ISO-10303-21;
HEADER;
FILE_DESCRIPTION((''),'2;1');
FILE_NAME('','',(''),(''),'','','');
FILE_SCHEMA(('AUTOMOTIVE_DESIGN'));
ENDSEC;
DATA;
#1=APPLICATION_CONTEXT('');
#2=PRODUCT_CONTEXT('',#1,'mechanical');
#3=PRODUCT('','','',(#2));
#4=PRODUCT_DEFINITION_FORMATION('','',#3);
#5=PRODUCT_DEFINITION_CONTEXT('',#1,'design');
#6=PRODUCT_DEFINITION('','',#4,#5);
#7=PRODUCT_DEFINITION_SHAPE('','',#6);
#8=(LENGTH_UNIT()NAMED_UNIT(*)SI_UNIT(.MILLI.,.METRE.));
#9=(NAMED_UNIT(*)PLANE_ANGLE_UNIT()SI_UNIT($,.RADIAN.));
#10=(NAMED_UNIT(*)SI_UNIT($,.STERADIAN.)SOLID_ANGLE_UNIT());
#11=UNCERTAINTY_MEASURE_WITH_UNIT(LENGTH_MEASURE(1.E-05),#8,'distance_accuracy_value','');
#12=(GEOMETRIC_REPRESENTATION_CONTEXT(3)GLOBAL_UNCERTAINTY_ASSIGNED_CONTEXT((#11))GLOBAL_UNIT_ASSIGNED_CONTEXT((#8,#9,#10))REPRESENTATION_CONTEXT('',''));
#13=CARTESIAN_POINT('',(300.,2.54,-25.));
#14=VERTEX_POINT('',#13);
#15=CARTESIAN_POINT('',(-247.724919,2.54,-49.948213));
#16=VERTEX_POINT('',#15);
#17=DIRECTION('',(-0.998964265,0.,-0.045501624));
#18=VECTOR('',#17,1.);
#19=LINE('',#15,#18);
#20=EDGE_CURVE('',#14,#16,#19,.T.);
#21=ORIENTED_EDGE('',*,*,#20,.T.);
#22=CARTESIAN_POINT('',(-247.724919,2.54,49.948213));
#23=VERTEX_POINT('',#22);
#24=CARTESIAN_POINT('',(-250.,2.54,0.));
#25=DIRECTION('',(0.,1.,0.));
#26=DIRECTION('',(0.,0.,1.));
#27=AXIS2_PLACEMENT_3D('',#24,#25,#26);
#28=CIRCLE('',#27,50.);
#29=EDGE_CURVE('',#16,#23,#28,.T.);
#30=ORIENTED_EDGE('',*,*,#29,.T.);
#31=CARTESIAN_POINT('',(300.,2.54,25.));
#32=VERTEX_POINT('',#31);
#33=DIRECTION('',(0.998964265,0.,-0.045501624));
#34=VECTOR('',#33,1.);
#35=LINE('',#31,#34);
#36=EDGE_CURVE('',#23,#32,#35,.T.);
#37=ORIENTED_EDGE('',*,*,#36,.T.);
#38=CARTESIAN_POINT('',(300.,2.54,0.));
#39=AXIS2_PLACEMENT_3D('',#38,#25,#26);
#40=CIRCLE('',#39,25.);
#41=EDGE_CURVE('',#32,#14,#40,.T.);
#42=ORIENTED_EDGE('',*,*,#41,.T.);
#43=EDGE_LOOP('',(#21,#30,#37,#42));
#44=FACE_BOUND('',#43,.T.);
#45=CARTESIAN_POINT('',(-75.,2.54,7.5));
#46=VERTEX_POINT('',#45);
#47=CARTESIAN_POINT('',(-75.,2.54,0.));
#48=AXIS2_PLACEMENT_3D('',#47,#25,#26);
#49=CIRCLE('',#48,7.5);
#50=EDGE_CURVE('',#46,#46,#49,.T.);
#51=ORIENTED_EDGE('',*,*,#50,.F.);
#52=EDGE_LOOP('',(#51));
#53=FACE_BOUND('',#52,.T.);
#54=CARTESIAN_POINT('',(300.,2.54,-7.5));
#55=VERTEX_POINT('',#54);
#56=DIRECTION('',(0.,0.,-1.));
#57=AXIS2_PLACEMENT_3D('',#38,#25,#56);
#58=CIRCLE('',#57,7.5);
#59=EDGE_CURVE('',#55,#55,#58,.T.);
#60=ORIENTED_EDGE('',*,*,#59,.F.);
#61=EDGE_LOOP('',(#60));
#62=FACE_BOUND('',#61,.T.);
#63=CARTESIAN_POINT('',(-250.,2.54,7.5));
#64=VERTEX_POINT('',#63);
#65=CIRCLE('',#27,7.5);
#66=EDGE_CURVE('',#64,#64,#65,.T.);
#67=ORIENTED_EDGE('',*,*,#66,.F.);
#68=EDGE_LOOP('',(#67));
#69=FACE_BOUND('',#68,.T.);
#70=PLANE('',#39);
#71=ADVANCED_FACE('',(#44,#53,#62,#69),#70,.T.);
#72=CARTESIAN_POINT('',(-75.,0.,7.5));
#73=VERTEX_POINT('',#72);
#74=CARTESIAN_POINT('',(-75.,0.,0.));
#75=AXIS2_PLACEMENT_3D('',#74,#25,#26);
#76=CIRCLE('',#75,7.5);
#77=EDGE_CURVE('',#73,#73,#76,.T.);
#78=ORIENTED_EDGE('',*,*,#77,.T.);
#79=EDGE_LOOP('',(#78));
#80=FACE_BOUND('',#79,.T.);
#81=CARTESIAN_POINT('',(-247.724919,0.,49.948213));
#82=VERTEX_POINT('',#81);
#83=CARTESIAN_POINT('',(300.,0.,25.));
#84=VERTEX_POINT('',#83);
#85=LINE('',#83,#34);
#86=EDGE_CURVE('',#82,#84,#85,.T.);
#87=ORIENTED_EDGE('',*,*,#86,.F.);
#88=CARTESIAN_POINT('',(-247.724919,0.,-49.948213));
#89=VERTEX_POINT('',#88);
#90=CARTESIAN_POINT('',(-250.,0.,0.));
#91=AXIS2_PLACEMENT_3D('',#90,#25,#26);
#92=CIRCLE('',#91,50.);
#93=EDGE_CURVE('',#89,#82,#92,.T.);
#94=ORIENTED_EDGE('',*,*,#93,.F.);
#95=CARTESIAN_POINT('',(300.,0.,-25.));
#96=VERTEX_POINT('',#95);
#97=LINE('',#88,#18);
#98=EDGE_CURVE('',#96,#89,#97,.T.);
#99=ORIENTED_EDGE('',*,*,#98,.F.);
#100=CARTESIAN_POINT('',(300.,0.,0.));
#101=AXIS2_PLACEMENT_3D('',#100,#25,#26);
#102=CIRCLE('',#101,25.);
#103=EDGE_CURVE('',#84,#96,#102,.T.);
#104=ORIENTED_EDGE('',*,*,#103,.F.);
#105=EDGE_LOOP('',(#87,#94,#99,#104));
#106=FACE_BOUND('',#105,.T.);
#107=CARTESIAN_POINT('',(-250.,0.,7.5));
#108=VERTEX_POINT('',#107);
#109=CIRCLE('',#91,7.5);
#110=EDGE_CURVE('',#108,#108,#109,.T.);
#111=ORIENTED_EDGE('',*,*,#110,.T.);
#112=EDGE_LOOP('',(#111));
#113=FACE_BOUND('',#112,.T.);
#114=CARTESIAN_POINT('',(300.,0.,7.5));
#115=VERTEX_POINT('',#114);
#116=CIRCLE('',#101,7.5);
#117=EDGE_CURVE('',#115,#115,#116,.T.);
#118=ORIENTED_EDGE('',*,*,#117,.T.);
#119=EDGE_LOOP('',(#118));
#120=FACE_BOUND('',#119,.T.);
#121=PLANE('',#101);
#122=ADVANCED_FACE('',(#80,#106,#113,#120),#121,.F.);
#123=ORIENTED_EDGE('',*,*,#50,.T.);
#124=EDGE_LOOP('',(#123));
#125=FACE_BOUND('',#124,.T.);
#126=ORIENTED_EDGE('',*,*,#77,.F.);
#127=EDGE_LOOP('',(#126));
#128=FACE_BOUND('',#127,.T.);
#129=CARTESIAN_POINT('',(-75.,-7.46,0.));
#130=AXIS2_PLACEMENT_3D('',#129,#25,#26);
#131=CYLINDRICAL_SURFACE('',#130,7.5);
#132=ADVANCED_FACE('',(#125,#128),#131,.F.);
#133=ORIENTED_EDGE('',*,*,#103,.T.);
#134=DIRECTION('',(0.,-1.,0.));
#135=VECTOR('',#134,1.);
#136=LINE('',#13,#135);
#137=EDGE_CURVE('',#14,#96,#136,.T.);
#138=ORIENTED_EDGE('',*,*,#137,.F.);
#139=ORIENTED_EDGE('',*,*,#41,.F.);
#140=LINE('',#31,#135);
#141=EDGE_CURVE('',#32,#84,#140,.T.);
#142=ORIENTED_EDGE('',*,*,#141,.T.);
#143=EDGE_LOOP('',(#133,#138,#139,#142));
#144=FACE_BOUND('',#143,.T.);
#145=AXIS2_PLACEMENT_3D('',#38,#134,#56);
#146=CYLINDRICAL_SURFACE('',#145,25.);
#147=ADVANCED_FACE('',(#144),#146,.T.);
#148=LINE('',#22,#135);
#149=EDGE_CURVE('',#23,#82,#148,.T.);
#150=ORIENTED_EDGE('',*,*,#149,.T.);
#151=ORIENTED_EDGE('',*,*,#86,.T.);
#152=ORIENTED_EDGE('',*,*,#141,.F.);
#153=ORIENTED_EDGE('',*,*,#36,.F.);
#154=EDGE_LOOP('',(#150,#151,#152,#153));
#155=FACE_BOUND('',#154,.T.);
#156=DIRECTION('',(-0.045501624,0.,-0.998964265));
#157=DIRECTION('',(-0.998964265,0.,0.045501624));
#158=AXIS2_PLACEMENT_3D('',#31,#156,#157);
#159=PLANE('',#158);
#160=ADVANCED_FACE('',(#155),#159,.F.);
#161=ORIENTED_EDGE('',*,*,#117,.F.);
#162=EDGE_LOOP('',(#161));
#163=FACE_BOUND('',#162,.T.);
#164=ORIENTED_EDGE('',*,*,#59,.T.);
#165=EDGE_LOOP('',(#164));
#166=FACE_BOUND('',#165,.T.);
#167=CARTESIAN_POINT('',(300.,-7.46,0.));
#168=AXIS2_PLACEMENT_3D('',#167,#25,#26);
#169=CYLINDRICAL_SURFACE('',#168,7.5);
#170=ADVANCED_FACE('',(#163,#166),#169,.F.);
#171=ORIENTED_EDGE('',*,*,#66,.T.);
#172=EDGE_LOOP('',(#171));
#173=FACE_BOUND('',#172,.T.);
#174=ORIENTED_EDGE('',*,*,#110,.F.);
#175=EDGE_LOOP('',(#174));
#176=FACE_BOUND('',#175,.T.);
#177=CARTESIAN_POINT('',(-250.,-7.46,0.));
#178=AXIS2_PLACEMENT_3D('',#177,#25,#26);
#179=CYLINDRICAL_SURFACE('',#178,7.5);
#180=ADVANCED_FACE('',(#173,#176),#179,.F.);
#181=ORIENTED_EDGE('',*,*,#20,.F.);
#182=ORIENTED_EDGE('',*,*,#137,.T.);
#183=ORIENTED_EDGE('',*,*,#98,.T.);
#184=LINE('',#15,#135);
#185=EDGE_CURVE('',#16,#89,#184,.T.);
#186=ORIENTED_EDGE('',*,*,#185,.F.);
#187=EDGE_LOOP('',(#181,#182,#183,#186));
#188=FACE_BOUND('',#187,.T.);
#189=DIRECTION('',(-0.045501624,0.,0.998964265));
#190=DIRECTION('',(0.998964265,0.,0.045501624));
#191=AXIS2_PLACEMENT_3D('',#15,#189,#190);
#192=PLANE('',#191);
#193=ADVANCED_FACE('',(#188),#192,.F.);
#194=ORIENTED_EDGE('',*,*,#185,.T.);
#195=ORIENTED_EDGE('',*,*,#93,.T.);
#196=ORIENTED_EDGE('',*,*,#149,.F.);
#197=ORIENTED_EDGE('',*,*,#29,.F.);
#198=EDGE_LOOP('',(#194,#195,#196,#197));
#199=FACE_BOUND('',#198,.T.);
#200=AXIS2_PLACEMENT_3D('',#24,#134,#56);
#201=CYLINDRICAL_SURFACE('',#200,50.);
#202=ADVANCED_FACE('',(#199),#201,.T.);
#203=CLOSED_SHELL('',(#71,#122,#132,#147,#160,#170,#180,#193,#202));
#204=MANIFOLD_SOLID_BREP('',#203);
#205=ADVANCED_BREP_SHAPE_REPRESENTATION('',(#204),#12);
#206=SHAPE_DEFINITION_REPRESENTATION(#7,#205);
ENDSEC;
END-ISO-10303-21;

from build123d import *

# Parameters (mm, degrees)
BOSS_EXTRUDE1_DEPTH = 2.54
SKETCH2_R           = 7.5
CUT_EXTRUDE1_DEPTH  = 10


with BuildPart() as part:
    # Sketch1 → Boss-Extrude1 (new body)
    with BuildSketch(Plane(origin=(0, 0, 0), x_dir=(1, 0, 0), z_dir=(0, 1, 0))):
        with BuildLine():
            Line((-247.724918783, 49.948213236), (300, 25))
            ThreePointArc((300, 25), (325, 0), (300, -25))
            Line((300, -25), (-247.724918783, -49.948213236))
            ThreePointArc((-247.724918783, -49.948213236), (-300, 0), (-247.724918783, 49.948213236))
        make_face()
    extrude(amount=BOSS_EXTRUDE1_DEPTH)

    # Sketch2 → Cut-Extrude1 (cut)
    with BuildSketch(Plane(origin=(0, 2.54, 0), x_dir=(1, 0, 0), z_dir=(0, 1, 0))):
        with Locations(Location((-75, 0, 0), (0, 0, 270))):
            Circle(SKETCH2_R)
        with Locations(Location((300, 0, 0), (0, 0, 270))):
            Circle(SKETCH2_R)
        with Locations(Location((-250, 0, 0), (0, 0, 270))):
            Circle(SKETCH2_R)
    extrude(amount=-CUT_EXTRUDE1_DEPTH, mode=Mode.SUBTRACT)


solid = part.part
